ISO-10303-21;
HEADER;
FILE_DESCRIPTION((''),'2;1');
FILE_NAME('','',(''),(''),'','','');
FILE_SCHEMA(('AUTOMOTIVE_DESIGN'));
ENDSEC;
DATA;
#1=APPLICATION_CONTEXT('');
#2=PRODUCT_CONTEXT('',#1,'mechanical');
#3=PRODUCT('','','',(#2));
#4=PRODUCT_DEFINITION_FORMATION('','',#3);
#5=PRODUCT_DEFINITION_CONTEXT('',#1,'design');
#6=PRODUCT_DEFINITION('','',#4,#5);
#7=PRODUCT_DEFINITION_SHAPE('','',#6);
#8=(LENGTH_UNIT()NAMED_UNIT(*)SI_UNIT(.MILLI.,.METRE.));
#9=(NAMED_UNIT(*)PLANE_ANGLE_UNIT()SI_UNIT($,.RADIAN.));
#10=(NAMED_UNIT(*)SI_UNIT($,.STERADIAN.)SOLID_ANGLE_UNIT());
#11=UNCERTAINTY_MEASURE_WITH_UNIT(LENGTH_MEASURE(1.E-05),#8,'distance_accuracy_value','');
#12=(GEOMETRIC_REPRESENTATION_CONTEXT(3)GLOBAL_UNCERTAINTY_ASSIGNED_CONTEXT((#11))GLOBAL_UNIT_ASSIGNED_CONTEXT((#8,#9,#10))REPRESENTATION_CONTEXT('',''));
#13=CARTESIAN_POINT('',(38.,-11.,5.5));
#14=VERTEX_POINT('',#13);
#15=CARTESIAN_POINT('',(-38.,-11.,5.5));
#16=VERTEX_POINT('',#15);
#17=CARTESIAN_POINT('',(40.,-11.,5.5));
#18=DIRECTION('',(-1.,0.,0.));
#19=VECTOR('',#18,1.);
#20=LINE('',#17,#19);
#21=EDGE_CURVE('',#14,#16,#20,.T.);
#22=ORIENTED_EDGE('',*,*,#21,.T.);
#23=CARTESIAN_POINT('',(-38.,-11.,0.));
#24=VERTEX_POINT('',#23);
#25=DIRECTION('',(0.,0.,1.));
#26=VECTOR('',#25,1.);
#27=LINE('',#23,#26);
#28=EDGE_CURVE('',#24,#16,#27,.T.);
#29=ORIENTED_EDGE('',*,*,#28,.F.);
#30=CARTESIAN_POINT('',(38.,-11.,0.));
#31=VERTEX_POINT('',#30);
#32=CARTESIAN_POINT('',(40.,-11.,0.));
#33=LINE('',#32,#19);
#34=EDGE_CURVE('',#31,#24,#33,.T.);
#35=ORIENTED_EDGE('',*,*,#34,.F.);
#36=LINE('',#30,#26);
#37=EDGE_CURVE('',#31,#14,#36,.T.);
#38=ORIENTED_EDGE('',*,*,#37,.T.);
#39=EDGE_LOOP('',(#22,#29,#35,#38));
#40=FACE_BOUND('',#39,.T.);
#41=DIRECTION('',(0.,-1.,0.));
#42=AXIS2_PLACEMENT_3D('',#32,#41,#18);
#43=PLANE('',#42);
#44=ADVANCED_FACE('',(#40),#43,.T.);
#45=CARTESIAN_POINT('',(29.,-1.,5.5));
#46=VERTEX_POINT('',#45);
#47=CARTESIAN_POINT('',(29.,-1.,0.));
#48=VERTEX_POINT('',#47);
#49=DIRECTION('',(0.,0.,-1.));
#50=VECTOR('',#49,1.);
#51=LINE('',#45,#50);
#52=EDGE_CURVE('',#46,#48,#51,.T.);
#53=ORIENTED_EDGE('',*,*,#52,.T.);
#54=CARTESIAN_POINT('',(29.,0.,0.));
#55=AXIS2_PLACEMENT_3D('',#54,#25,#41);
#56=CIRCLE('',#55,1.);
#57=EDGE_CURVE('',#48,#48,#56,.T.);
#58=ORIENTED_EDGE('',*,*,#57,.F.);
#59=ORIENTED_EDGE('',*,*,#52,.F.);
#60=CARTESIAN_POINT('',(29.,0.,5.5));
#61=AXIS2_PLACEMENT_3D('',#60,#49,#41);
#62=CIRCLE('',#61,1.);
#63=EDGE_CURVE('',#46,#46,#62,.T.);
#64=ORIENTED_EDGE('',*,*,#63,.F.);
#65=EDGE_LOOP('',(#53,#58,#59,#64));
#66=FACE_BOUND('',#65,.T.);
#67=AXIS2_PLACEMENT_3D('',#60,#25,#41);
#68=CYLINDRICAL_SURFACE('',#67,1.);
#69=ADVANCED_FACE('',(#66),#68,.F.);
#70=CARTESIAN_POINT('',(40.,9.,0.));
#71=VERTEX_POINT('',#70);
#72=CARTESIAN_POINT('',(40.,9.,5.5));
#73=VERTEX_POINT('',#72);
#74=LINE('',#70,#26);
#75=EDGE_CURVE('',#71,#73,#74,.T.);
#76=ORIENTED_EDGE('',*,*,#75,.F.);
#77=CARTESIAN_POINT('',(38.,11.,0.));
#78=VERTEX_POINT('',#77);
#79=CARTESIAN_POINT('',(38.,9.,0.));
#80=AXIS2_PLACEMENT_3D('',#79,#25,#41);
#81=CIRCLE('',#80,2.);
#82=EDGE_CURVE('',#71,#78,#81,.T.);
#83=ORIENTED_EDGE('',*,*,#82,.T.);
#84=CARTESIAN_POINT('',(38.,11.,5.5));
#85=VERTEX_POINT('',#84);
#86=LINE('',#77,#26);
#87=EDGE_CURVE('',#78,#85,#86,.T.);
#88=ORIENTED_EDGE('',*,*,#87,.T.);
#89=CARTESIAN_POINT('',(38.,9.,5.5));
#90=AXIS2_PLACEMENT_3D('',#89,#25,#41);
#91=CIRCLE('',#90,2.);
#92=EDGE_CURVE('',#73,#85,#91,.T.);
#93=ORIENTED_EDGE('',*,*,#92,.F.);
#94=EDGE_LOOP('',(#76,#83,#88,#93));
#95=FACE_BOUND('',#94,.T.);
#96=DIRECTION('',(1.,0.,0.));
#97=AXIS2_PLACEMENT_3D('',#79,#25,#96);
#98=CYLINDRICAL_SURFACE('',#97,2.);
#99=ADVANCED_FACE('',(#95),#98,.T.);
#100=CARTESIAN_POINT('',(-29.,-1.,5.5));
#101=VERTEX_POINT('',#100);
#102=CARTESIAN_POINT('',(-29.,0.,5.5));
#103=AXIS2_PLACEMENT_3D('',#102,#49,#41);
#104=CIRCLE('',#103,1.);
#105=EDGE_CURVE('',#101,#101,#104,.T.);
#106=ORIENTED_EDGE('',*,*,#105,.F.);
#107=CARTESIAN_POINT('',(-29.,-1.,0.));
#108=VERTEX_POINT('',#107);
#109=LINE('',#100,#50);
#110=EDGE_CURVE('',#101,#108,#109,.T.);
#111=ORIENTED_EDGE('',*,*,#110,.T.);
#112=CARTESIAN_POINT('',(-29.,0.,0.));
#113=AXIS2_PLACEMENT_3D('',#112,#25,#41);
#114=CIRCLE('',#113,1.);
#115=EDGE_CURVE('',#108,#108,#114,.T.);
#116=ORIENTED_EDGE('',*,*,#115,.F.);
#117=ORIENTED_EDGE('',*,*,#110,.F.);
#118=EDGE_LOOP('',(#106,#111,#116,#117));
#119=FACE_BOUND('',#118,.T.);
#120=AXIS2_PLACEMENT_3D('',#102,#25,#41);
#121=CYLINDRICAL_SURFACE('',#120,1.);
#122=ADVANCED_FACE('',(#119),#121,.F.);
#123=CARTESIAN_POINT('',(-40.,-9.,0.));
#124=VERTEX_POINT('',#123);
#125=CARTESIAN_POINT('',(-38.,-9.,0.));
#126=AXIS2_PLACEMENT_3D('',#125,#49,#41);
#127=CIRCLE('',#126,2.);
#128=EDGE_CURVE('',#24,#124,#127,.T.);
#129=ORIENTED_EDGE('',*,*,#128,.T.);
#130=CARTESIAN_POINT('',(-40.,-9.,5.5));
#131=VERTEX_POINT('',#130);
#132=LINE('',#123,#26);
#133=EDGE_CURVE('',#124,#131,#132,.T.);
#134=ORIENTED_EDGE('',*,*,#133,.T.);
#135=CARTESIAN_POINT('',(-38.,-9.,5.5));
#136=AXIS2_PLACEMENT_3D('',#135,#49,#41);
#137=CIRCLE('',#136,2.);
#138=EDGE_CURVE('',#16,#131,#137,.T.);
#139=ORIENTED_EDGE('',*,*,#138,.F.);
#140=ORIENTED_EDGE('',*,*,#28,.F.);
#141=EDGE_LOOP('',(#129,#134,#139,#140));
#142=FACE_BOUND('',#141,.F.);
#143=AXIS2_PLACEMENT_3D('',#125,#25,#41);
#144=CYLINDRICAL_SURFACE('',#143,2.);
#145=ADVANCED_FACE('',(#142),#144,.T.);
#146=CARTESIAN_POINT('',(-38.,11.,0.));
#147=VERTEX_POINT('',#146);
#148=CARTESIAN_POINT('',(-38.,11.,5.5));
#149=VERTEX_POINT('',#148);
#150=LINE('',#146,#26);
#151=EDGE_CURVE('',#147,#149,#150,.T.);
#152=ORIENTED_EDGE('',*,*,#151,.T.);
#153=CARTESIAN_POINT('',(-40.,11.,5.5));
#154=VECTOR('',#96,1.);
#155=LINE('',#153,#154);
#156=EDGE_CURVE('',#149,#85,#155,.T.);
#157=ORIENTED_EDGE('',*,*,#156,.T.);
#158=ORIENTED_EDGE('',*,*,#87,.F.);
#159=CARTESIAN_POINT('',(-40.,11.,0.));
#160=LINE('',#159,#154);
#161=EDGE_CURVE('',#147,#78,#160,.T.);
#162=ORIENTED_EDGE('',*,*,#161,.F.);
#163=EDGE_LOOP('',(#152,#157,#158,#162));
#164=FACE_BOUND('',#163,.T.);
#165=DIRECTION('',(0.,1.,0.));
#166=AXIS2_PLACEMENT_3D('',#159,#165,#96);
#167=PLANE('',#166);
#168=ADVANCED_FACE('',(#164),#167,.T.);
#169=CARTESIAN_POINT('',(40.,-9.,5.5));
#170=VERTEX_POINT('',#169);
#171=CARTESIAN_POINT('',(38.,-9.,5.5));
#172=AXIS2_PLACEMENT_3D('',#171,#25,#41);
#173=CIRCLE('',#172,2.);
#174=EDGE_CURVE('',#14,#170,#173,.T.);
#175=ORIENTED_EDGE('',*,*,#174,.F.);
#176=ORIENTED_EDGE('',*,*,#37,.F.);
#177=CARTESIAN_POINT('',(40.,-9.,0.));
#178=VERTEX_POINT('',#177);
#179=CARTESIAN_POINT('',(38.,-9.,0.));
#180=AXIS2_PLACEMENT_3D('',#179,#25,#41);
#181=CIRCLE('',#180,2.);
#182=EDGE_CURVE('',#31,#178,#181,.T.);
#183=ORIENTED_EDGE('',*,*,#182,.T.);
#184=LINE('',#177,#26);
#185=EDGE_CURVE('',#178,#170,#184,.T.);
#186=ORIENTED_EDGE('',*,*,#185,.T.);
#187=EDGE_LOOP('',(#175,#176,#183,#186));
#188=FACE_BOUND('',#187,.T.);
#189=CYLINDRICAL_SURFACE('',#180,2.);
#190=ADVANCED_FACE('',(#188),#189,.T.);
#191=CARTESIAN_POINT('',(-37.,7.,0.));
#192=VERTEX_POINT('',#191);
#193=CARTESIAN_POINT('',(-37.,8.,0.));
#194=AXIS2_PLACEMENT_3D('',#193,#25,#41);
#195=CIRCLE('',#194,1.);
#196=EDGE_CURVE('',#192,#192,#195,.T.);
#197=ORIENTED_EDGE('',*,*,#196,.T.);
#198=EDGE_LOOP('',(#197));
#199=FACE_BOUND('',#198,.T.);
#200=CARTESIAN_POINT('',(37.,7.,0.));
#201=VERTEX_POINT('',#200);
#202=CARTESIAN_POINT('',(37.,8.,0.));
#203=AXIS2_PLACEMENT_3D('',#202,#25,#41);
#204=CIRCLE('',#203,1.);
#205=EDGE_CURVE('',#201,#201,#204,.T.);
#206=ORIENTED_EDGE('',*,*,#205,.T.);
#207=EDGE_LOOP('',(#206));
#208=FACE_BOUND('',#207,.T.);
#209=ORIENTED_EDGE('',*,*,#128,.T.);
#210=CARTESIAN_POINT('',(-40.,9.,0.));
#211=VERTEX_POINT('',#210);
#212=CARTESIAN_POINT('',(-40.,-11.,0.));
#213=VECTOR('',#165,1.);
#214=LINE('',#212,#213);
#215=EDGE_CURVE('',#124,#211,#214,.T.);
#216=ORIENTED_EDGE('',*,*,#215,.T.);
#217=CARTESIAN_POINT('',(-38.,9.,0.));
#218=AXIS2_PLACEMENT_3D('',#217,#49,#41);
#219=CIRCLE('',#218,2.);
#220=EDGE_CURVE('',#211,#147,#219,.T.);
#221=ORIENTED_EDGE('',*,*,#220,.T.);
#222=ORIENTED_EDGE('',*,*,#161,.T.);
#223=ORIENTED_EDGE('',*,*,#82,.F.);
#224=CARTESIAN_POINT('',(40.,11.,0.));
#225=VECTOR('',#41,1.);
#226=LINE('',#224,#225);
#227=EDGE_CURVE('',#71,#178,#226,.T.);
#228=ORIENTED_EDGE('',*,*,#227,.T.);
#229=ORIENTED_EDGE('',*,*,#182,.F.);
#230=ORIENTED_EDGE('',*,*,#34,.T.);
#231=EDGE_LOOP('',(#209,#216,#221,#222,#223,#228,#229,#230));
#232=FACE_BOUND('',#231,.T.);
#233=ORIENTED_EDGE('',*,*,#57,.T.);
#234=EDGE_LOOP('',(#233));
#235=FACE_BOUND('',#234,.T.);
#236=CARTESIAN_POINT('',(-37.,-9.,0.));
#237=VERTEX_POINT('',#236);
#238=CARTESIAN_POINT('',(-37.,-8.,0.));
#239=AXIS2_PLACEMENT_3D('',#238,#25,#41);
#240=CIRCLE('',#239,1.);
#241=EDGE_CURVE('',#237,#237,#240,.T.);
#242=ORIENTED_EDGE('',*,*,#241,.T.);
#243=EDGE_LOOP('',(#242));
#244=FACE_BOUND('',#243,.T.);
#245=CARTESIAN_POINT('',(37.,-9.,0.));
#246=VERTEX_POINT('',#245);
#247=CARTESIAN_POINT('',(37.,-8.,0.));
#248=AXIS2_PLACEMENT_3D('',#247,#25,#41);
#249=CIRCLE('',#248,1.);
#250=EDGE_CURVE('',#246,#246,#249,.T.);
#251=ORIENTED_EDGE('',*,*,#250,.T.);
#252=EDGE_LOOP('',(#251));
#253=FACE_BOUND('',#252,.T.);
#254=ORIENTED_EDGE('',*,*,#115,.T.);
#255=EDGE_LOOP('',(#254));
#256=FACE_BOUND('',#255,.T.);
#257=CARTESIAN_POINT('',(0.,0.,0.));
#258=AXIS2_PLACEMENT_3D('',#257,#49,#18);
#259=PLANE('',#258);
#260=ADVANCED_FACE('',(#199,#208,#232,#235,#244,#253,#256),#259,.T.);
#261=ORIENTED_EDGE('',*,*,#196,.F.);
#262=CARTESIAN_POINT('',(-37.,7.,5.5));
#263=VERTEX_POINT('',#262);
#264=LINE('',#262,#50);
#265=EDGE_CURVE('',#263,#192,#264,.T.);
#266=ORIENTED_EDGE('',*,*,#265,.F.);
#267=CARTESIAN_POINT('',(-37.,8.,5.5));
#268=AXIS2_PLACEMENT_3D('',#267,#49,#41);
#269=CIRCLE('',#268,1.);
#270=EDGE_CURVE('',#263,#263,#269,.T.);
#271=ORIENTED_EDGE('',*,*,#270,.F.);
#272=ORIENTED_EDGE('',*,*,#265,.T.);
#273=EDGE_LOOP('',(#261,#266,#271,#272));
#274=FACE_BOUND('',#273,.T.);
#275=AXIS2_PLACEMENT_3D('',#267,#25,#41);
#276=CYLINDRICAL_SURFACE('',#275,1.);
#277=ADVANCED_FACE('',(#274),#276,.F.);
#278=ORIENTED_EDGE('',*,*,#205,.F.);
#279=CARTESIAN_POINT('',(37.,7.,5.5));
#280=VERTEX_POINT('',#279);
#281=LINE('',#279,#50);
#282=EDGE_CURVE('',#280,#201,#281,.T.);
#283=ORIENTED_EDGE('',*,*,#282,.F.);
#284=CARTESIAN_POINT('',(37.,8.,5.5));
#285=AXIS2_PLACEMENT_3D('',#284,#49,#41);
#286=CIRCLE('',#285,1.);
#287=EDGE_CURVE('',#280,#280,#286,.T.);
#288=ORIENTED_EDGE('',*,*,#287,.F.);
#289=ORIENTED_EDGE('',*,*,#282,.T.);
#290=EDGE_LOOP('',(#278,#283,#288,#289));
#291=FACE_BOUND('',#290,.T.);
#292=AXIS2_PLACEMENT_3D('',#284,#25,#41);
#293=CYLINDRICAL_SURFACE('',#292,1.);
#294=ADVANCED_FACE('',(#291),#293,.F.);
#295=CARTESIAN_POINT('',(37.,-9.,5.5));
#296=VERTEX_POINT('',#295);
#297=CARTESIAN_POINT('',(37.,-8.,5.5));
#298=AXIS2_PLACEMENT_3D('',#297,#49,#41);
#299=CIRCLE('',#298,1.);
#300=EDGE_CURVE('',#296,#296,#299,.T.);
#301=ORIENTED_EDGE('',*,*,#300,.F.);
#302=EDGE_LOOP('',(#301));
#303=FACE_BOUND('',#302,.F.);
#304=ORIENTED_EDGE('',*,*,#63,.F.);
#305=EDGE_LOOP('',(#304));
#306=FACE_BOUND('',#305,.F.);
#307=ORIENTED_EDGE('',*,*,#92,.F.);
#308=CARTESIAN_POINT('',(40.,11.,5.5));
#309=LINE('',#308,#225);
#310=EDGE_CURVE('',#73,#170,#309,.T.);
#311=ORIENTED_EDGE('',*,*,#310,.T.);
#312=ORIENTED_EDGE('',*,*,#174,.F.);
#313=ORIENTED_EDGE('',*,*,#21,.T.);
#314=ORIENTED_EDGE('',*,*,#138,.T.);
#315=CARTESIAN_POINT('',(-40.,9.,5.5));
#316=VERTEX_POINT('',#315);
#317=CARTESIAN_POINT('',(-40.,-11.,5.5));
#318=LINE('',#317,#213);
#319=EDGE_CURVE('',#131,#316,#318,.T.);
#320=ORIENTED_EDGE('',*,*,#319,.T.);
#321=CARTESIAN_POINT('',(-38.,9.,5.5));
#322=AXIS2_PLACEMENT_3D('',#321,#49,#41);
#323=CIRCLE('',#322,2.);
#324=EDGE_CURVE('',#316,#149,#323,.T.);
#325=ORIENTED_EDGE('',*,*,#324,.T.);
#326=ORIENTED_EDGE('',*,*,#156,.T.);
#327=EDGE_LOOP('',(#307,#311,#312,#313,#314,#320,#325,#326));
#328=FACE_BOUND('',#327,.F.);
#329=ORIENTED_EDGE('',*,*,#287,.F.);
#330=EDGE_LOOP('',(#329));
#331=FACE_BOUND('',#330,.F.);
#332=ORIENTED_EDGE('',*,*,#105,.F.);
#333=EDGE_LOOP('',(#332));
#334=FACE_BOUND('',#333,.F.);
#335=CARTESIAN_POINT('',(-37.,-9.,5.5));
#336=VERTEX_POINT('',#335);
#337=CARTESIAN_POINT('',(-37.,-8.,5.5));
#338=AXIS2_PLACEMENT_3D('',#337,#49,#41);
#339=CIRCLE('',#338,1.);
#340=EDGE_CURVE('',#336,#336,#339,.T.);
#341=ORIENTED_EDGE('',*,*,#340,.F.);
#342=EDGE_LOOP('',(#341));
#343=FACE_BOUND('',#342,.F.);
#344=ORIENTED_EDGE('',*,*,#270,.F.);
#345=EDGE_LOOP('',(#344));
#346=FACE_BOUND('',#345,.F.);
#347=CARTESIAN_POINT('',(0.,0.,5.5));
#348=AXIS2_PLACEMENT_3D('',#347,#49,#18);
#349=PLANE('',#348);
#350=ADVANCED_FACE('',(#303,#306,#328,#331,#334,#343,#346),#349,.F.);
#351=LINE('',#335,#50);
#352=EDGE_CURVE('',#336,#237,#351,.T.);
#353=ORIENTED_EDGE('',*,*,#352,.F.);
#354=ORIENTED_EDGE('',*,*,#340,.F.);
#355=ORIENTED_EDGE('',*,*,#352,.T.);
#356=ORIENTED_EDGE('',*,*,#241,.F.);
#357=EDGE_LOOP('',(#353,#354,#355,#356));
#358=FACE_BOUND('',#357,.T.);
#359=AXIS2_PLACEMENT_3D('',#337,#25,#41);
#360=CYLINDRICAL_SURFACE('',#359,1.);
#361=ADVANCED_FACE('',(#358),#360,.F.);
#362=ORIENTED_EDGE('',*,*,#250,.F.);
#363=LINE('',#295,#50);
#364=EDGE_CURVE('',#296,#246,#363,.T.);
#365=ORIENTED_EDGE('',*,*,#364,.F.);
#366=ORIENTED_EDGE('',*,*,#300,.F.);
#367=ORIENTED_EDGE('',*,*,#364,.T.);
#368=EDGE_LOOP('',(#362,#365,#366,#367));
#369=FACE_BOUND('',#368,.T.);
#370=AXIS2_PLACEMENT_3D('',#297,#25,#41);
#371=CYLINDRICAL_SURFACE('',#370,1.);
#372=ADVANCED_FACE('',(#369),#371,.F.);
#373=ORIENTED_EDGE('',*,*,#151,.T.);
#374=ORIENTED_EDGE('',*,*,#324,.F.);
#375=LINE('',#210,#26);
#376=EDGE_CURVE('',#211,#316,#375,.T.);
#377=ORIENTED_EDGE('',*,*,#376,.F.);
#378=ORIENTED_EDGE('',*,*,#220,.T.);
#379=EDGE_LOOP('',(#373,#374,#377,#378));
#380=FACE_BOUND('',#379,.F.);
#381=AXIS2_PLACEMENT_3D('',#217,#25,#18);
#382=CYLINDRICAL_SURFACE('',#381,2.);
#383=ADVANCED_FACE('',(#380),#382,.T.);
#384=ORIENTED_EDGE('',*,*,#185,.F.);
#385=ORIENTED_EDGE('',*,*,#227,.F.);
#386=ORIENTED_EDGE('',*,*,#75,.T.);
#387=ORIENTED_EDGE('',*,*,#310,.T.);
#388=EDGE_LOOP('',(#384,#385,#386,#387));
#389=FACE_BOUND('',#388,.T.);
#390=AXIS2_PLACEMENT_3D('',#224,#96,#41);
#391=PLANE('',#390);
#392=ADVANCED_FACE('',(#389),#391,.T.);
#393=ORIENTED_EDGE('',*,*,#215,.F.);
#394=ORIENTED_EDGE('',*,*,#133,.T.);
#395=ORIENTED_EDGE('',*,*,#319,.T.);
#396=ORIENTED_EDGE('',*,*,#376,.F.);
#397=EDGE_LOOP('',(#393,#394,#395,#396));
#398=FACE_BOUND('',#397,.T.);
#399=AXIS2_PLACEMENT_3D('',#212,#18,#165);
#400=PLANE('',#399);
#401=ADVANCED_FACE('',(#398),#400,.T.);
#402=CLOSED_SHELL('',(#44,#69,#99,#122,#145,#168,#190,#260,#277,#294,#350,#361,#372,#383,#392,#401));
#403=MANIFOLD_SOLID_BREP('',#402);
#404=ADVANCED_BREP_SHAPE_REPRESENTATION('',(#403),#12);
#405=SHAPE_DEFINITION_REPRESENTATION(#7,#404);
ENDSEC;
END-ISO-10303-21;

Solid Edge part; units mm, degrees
sketch "Sketch1" plane through (0, 0, 0) normal (0, 0, 1) x (1, 0, 0)
  line L0 (40, -11) -> (-40, -11)
  line L1 (-40, -11) -> (-40, 11)
  line L2 (-40, 11) -> (40, 11)
  line L3 (40, 11) -> (40, -11)
  dimension "D1" = 80
  dimension "D2" = 22
extrude "Protrusion1" add sketch "Sketch1" along normal blind 5.5
hole "Hole_1" at (37, 8, 5.5) direction (0, 0, -1) diameter 2 end through all
hole "Hole1" at (37, -8, 5.5) direction (0, 0, -1) diameter 2 end through all
hole "Hole2" at (-37, 8, 5.5) direction (0, 0, -1) diameter 2 end through all
hole "Hole3" at (-37, -8, 5.5) direction (0, 0, -1) diameter 2 end through all
hole "Hole4" at (-29, 0, 5.5) direction (0, 0, -1) diameter 2 end through all
hole "Hole5" at (29, 0, 5.5) direction (0, 0, -1) diameter 2 end through all
fillet "Round_1" radius 2 3 edges at (-40, 11, 2.75) (-40, -11, 2.75) (40, -11, 2.75)
fillet "Round_2" radius 2 1 edges at (40, 11, 2.75)
properties material "木材, アッシュ"
